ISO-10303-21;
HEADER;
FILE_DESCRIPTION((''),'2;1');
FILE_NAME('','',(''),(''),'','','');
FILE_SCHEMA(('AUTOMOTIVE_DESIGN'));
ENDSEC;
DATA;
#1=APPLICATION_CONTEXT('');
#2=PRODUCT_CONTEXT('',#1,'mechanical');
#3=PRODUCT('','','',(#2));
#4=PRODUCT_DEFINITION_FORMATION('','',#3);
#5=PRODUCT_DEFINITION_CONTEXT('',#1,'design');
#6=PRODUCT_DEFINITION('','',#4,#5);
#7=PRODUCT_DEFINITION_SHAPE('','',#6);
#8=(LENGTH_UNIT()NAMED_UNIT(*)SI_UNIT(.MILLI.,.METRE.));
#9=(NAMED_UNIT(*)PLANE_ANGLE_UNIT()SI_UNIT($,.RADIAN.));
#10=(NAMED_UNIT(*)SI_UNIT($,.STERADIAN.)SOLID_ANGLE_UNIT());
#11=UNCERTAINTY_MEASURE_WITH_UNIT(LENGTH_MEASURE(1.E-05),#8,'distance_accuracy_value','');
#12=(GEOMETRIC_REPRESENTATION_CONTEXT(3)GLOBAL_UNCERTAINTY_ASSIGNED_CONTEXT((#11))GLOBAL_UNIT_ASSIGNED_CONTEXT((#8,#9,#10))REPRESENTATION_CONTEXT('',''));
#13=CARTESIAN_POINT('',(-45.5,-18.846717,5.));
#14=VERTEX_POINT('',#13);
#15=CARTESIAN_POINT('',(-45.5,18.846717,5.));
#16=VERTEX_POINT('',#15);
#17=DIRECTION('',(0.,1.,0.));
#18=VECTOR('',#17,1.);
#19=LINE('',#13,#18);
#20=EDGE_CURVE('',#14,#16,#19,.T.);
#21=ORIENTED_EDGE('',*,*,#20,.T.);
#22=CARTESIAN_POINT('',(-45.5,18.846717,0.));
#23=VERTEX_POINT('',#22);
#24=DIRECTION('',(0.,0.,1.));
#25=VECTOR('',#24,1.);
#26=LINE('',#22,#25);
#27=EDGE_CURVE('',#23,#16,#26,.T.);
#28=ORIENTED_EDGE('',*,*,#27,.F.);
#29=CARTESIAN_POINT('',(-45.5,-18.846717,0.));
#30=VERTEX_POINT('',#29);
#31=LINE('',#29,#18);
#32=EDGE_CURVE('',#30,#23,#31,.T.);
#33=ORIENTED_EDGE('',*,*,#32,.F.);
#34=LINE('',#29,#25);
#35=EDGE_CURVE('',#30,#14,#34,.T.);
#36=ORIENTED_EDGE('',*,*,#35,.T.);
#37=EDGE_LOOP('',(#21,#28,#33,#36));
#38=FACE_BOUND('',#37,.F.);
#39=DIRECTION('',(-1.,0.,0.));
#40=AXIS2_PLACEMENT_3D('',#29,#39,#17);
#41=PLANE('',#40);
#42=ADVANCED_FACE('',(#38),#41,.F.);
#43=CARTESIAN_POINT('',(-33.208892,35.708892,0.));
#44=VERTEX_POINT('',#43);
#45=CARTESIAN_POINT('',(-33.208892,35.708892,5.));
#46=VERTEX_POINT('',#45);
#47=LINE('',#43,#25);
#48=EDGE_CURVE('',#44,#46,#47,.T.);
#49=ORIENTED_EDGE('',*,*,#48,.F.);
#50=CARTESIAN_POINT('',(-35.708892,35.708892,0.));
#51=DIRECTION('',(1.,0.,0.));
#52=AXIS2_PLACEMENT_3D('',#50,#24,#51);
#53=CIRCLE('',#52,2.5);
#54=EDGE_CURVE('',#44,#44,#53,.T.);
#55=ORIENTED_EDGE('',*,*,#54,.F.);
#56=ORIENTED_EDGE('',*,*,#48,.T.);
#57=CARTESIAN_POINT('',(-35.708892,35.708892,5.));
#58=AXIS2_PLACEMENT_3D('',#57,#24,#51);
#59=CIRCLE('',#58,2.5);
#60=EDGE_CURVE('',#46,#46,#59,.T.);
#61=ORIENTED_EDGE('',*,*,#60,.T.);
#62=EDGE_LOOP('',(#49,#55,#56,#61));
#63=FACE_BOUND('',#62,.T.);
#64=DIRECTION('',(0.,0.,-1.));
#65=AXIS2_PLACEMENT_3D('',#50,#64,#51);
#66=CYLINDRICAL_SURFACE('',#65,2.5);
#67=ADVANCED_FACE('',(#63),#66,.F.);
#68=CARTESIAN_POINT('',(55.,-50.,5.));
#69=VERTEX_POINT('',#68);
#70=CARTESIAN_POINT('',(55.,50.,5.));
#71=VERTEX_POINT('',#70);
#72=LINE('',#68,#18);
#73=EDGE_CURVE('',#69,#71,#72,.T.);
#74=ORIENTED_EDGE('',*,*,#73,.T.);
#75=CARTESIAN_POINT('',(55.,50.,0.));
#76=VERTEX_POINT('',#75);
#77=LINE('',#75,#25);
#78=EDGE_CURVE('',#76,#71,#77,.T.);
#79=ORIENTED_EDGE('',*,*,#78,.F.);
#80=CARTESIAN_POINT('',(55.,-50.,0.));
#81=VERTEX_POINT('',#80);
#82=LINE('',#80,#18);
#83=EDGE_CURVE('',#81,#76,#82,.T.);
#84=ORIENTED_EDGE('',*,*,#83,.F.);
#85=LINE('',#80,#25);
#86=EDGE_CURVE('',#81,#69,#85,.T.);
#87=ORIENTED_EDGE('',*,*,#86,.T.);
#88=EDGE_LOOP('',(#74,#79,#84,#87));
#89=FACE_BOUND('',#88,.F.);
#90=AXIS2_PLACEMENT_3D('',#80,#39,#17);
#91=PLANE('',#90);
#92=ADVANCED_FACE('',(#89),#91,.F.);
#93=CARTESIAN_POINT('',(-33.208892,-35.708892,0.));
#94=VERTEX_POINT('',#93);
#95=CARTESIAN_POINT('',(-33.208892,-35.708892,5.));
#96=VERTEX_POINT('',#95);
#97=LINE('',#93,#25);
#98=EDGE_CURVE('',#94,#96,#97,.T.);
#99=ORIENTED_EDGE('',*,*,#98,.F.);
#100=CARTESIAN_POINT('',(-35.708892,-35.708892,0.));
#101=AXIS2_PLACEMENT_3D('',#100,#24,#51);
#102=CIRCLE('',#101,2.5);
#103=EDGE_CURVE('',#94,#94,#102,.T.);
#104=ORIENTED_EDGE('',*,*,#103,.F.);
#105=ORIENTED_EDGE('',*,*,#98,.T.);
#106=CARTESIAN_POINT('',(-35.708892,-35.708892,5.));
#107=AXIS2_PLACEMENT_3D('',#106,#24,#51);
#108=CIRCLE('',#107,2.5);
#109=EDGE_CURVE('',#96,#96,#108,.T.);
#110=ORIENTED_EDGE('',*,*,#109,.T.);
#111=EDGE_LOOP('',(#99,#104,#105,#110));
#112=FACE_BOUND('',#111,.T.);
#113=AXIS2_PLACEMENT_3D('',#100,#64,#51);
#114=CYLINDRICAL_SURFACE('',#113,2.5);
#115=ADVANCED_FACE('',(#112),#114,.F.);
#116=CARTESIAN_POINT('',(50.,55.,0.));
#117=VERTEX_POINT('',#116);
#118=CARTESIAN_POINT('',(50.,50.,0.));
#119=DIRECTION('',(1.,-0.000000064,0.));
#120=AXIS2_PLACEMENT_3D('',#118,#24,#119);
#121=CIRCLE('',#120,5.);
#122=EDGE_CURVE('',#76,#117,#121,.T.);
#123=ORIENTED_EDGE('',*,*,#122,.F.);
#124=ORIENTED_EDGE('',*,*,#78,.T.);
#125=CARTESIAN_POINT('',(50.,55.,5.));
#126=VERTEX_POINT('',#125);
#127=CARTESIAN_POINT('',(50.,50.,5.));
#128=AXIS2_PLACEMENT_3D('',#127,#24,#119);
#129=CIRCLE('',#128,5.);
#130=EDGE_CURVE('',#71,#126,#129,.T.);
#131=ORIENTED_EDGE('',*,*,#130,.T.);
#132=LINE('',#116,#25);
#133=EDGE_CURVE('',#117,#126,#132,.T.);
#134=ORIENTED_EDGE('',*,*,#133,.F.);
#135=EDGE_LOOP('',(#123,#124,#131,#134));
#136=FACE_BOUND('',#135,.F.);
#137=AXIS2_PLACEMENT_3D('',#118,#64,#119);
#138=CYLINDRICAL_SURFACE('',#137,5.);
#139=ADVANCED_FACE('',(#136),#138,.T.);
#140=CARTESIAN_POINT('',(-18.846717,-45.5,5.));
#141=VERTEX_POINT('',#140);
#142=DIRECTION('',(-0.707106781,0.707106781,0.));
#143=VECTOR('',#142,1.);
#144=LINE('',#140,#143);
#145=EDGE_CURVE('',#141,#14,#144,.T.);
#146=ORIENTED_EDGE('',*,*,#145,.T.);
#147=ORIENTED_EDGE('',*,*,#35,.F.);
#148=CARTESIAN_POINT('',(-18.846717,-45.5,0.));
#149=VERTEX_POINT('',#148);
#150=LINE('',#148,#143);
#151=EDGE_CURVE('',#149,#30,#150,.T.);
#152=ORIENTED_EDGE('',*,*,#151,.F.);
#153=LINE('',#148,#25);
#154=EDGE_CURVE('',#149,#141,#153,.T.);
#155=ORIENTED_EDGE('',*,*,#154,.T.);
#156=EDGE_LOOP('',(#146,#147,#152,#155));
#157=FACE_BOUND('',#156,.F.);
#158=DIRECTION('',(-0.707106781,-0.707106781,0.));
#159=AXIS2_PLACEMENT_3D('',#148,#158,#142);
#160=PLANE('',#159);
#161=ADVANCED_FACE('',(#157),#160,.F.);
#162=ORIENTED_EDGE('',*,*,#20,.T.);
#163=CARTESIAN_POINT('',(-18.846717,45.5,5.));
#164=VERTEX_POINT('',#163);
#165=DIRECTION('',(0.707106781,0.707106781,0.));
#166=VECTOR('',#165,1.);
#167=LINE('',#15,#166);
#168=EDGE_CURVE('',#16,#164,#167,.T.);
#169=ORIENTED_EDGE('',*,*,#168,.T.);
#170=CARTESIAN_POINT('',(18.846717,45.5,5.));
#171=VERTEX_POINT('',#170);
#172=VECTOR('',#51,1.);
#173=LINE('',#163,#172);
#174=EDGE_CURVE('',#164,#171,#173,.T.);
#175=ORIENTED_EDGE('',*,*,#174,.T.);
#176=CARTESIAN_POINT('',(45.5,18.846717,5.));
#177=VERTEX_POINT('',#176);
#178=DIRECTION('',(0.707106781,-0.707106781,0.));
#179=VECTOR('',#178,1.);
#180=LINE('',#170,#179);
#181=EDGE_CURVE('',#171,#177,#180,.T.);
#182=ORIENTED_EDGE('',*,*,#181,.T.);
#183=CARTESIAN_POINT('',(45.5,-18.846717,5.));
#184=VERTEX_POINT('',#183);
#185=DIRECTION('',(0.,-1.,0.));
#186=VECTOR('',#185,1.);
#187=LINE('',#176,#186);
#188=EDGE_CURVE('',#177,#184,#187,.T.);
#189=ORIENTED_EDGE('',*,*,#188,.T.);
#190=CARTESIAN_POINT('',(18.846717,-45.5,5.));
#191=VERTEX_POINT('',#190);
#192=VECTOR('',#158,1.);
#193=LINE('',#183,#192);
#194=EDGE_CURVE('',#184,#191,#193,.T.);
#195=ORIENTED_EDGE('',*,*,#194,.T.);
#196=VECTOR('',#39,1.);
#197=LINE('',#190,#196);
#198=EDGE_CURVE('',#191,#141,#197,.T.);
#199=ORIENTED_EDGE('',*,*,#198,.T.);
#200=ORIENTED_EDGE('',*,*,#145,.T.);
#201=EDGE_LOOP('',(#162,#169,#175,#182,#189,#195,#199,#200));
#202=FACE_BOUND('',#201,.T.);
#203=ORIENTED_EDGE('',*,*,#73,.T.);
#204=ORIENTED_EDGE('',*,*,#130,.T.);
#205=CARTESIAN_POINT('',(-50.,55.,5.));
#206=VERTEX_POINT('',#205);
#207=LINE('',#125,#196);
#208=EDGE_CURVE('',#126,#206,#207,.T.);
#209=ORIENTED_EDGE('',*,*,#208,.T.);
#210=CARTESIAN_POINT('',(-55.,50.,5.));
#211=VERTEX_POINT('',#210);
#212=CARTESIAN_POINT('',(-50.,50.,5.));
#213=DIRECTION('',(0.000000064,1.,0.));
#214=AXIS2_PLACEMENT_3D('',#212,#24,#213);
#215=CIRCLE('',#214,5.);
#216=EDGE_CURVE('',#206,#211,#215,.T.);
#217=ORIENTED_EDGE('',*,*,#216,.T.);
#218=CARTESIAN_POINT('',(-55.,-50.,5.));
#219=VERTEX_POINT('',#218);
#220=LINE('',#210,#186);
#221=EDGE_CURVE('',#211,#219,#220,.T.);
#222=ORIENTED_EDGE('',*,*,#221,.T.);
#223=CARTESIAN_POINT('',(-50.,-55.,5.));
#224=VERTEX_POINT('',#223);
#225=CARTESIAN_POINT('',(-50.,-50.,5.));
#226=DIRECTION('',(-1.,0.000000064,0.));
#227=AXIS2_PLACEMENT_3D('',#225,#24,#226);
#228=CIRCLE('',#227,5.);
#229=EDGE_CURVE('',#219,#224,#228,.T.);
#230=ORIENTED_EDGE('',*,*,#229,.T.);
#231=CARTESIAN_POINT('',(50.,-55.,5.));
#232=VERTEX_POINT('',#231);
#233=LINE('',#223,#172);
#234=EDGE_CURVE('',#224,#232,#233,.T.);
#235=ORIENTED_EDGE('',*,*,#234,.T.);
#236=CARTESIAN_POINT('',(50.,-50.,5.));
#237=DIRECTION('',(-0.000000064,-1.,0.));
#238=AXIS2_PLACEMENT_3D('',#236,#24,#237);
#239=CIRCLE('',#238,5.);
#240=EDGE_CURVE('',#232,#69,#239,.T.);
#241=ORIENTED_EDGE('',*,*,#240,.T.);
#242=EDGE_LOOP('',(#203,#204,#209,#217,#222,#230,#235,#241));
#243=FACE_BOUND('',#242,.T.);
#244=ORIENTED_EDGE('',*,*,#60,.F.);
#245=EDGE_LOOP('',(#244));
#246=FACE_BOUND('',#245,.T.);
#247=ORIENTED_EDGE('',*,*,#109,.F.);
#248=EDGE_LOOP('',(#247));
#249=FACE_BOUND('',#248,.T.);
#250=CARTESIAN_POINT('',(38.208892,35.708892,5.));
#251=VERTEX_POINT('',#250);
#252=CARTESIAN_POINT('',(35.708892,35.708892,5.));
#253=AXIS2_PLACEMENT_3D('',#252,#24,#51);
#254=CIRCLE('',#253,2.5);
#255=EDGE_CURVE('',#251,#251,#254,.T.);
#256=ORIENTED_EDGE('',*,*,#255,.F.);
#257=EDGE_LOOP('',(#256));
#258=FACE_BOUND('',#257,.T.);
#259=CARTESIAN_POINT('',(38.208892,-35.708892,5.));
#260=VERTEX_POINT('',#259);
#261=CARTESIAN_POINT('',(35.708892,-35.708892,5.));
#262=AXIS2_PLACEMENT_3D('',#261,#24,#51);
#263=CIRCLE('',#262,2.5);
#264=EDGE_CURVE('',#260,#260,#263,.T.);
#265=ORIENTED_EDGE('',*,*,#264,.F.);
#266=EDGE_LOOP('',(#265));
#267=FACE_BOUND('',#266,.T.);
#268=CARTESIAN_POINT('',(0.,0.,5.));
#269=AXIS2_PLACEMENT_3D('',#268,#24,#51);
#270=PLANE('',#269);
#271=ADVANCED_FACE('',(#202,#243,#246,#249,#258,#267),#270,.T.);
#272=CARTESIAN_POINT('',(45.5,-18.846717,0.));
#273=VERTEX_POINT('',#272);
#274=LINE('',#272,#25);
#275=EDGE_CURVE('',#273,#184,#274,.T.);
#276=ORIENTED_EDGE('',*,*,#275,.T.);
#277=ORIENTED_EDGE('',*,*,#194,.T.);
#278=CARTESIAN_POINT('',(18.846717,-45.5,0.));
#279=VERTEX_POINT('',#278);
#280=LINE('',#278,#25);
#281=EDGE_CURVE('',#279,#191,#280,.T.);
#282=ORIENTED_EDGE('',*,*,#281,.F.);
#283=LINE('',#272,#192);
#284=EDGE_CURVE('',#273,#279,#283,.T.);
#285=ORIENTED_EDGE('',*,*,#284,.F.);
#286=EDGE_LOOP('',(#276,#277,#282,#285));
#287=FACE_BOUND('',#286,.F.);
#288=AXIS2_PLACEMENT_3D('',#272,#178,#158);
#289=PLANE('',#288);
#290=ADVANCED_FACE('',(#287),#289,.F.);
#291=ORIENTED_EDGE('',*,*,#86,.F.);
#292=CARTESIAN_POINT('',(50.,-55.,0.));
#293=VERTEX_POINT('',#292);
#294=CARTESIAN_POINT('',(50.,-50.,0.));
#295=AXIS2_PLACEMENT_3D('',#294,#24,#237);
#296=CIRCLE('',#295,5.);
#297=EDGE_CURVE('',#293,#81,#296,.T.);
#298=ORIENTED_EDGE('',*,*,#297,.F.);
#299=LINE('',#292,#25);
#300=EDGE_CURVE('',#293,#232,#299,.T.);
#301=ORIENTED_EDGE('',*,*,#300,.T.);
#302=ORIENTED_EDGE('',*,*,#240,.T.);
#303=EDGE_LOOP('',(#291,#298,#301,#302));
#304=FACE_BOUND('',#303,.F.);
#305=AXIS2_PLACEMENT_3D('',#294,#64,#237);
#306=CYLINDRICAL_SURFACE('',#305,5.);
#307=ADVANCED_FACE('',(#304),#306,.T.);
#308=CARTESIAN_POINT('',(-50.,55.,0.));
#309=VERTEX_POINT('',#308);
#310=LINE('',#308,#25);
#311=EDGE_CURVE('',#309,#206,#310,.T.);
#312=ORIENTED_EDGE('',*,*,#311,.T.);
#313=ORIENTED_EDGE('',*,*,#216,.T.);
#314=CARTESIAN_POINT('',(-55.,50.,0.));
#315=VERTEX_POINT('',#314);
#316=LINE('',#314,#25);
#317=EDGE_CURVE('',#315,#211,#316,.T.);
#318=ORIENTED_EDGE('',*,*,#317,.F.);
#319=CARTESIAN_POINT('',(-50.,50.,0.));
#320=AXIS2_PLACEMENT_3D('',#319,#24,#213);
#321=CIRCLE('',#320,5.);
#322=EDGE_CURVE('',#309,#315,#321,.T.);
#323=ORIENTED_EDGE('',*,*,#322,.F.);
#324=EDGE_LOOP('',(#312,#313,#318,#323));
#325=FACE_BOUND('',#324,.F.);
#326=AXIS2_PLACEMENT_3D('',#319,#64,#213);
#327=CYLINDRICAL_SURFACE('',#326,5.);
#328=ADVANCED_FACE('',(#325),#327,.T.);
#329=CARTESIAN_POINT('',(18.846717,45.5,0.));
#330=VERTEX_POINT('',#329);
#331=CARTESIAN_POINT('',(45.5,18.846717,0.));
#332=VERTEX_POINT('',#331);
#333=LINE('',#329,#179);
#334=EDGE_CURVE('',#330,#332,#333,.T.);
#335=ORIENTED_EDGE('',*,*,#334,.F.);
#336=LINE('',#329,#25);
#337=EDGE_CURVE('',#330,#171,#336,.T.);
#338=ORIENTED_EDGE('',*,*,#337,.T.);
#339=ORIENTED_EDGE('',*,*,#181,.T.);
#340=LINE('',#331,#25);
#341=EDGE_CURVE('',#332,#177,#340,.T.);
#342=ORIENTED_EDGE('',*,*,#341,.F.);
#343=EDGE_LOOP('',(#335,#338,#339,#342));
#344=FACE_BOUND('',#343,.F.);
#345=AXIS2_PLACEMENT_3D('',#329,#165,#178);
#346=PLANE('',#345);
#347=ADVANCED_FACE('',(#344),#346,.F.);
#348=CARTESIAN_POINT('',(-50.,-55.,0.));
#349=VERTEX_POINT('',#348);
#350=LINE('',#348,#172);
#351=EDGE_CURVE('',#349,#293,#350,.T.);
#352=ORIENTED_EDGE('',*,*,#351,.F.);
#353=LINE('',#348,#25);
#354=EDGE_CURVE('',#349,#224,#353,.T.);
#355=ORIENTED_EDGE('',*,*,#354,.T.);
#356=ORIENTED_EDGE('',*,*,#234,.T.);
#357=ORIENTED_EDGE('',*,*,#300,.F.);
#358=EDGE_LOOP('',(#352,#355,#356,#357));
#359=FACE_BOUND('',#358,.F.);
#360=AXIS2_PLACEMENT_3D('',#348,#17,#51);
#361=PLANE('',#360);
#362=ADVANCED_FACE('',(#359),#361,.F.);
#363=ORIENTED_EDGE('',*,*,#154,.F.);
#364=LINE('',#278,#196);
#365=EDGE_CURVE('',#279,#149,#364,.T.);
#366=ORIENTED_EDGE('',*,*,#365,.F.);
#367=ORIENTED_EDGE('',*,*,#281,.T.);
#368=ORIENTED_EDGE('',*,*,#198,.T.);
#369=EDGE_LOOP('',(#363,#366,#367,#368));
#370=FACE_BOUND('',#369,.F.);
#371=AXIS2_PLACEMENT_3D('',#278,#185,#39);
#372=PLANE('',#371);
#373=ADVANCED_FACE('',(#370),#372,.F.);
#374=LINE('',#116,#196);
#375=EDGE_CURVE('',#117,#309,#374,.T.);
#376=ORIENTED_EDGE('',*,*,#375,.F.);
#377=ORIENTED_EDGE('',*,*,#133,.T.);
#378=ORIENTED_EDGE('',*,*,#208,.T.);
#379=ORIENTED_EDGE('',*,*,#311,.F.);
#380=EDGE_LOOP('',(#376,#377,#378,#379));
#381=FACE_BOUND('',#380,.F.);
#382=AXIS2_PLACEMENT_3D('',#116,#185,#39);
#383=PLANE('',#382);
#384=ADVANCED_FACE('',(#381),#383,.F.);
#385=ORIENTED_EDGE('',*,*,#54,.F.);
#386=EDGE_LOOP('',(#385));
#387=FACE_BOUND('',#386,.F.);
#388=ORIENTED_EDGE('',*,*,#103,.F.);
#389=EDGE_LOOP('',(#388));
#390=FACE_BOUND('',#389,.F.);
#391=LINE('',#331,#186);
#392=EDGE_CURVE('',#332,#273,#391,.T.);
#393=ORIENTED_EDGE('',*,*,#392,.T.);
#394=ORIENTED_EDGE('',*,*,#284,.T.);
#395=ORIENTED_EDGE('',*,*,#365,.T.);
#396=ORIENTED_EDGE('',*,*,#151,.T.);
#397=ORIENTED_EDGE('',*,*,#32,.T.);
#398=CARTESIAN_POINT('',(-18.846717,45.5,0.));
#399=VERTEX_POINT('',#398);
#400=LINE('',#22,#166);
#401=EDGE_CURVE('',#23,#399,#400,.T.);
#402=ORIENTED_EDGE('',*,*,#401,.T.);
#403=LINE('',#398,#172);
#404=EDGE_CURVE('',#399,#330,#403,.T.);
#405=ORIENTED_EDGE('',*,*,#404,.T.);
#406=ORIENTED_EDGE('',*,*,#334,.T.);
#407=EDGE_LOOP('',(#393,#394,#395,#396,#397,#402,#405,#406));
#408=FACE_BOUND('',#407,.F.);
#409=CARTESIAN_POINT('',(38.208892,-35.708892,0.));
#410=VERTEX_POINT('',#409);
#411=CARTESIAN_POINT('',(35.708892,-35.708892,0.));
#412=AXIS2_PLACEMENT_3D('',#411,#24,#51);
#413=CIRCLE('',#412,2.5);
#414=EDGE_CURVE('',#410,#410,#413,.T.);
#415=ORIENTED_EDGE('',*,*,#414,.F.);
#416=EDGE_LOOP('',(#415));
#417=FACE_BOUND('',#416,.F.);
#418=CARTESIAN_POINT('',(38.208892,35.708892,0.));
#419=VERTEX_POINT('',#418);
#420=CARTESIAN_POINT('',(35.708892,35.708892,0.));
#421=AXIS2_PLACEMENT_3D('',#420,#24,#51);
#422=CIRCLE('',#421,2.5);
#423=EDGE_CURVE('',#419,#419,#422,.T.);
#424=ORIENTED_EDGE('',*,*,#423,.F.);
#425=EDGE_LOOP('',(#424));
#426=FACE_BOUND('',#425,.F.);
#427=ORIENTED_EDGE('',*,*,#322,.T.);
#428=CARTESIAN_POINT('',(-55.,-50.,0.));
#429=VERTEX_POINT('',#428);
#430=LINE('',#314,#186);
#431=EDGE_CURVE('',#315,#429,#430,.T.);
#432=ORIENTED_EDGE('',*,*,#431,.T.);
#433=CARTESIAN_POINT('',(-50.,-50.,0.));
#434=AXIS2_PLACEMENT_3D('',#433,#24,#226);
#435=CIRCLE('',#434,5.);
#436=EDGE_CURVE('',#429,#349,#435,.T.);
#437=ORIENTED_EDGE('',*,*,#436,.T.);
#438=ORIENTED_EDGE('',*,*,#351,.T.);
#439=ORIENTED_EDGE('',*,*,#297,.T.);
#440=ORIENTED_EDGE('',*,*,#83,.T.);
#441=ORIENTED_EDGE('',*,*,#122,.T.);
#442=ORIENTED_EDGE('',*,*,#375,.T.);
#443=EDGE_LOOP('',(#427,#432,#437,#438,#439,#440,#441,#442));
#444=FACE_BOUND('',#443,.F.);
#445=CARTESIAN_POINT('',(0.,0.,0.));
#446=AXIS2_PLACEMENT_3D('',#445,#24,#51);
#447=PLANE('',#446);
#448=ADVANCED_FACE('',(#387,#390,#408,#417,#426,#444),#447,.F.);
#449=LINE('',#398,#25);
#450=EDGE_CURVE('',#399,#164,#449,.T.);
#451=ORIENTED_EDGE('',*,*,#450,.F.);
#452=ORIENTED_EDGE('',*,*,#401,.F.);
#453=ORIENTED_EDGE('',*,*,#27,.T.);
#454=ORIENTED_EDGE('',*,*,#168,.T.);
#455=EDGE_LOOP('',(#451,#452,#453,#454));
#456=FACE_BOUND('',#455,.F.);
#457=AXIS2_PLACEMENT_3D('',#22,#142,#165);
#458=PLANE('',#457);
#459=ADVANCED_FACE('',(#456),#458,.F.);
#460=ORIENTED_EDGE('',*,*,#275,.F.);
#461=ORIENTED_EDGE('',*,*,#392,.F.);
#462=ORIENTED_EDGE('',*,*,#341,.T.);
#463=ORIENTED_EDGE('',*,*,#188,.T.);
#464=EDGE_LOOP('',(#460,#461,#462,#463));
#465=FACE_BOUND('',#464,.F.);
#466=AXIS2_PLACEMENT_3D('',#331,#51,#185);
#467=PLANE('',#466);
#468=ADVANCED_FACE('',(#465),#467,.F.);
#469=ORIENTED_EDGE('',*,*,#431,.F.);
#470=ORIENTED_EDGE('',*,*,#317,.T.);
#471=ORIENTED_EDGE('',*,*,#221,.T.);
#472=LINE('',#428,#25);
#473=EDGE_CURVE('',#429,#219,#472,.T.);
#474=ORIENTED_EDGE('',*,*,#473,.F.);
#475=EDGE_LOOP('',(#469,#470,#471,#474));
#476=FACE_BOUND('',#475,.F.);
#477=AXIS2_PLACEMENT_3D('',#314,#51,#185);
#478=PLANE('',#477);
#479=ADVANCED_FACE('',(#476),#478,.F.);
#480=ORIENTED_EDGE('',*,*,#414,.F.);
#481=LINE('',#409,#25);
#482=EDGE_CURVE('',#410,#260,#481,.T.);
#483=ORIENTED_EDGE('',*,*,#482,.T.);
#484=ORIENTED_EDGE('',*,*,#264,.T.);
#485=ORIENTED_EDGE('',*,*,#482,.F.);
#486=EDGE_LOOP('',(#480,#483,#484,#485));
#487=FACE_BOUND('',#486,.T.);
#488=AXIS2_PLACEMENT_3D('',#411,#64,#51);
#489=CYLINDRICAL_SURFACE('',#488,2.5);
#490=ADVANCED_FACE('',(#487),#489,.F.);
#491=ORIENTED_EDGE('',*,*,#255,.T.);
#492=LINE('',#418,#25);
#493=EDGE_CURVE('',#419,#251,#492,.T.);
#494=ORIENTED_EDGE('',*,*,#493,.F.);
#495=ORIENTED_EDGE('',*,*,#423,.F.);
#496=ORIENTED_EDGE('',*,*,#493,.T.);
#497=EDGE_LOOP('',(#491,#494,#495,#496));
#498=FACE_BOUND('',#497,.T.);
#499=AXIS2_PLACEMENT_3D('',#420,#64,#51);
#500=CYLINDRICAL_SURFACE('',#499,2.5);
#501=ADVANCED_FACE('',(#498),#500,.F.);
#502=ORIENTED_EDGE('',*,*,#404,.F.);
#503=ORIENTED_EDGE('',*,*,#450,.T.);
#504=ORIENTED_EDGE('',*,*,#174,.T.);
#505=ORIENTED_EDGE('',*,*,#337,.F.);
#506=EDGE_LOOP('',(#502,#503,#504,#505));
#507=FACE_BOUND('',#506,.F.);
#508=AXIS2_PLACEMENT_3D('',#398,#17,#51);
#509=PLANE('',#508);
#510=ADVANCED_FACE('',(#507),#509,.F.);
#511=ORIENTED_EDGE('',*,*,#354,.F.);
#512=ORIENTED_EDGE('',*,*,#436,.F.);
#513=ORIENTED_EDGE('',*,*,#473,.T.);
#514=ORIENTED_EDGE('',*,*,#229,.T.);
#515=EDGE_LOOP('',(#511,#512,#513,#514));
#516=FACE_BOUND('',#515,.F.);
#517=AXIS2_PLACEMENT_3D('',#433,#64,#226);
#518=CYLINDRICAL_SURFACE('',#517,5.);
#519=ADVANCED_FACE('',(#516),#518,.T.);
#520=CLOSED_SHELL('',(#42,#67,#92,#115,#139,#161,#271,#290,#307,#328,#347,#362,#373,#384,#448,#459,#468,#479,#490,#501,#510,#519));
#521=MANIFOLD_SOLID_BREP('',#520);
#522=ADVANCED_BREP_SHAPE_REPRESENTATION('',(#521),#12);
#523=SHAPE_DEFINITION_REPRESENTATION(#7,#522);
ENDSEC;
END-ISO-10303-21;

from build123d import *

# Parameters (mm, degrees)
F0_R     = 2.5
F1_DEPTH = 5


with BuildPart() as f1:
    # F0 (on Top) → F1 (new body)
    with BuildSketch(Plane.XY):
        with BuildLine():
            Line((-50, -55), (50, -55))
            ThreePointArc((50, -55), (53.535534, -53.535534), (55, -50))
            Line((55, -50), (55, 50))
            ThreePointArc((55, 50), (53.535534, 53.535534), (50, 55))
            Line((50, 55), (-50, 55))
            ThreePointArc((-50, 55), (-53.535534, 53.535534), (-55, 50))
            Line((-55, 50), (-55, -50))
            ThreePointArc((-55, -50), (-53.535534, -53.535534), (-50, -55))
        make_face()
        with Locations((-35.708892, -35.708892)):
            Circle(F0_R, mode=Mode.SUBTRACT)
        with Locations((35.708892, -35.708892)):
            Circle(F0_R, mode=Mode.SUBTRACT)
        with Locations((-35.708892, 35.708892)):
            Circle(F0_R, mode=Mode.SUBTRACT)
        Polygon((18.846717, 45.5), (45.5, 18.846717), (45.5, -18.846717), (18.846717, -45.5), (-18.846717, -45.5), (-45.5, -18.846717), (-45.5, 18.846717), (-18.846717, 45.5), align=None, mode=Mode.SUBTRACT)
        with Locations((35.708892, 35.708892)):
            Circle(F0_R, mode=Mode.SUBTRACT)
    extrude(amount=F1_DEPTH)


solid = f1.part
